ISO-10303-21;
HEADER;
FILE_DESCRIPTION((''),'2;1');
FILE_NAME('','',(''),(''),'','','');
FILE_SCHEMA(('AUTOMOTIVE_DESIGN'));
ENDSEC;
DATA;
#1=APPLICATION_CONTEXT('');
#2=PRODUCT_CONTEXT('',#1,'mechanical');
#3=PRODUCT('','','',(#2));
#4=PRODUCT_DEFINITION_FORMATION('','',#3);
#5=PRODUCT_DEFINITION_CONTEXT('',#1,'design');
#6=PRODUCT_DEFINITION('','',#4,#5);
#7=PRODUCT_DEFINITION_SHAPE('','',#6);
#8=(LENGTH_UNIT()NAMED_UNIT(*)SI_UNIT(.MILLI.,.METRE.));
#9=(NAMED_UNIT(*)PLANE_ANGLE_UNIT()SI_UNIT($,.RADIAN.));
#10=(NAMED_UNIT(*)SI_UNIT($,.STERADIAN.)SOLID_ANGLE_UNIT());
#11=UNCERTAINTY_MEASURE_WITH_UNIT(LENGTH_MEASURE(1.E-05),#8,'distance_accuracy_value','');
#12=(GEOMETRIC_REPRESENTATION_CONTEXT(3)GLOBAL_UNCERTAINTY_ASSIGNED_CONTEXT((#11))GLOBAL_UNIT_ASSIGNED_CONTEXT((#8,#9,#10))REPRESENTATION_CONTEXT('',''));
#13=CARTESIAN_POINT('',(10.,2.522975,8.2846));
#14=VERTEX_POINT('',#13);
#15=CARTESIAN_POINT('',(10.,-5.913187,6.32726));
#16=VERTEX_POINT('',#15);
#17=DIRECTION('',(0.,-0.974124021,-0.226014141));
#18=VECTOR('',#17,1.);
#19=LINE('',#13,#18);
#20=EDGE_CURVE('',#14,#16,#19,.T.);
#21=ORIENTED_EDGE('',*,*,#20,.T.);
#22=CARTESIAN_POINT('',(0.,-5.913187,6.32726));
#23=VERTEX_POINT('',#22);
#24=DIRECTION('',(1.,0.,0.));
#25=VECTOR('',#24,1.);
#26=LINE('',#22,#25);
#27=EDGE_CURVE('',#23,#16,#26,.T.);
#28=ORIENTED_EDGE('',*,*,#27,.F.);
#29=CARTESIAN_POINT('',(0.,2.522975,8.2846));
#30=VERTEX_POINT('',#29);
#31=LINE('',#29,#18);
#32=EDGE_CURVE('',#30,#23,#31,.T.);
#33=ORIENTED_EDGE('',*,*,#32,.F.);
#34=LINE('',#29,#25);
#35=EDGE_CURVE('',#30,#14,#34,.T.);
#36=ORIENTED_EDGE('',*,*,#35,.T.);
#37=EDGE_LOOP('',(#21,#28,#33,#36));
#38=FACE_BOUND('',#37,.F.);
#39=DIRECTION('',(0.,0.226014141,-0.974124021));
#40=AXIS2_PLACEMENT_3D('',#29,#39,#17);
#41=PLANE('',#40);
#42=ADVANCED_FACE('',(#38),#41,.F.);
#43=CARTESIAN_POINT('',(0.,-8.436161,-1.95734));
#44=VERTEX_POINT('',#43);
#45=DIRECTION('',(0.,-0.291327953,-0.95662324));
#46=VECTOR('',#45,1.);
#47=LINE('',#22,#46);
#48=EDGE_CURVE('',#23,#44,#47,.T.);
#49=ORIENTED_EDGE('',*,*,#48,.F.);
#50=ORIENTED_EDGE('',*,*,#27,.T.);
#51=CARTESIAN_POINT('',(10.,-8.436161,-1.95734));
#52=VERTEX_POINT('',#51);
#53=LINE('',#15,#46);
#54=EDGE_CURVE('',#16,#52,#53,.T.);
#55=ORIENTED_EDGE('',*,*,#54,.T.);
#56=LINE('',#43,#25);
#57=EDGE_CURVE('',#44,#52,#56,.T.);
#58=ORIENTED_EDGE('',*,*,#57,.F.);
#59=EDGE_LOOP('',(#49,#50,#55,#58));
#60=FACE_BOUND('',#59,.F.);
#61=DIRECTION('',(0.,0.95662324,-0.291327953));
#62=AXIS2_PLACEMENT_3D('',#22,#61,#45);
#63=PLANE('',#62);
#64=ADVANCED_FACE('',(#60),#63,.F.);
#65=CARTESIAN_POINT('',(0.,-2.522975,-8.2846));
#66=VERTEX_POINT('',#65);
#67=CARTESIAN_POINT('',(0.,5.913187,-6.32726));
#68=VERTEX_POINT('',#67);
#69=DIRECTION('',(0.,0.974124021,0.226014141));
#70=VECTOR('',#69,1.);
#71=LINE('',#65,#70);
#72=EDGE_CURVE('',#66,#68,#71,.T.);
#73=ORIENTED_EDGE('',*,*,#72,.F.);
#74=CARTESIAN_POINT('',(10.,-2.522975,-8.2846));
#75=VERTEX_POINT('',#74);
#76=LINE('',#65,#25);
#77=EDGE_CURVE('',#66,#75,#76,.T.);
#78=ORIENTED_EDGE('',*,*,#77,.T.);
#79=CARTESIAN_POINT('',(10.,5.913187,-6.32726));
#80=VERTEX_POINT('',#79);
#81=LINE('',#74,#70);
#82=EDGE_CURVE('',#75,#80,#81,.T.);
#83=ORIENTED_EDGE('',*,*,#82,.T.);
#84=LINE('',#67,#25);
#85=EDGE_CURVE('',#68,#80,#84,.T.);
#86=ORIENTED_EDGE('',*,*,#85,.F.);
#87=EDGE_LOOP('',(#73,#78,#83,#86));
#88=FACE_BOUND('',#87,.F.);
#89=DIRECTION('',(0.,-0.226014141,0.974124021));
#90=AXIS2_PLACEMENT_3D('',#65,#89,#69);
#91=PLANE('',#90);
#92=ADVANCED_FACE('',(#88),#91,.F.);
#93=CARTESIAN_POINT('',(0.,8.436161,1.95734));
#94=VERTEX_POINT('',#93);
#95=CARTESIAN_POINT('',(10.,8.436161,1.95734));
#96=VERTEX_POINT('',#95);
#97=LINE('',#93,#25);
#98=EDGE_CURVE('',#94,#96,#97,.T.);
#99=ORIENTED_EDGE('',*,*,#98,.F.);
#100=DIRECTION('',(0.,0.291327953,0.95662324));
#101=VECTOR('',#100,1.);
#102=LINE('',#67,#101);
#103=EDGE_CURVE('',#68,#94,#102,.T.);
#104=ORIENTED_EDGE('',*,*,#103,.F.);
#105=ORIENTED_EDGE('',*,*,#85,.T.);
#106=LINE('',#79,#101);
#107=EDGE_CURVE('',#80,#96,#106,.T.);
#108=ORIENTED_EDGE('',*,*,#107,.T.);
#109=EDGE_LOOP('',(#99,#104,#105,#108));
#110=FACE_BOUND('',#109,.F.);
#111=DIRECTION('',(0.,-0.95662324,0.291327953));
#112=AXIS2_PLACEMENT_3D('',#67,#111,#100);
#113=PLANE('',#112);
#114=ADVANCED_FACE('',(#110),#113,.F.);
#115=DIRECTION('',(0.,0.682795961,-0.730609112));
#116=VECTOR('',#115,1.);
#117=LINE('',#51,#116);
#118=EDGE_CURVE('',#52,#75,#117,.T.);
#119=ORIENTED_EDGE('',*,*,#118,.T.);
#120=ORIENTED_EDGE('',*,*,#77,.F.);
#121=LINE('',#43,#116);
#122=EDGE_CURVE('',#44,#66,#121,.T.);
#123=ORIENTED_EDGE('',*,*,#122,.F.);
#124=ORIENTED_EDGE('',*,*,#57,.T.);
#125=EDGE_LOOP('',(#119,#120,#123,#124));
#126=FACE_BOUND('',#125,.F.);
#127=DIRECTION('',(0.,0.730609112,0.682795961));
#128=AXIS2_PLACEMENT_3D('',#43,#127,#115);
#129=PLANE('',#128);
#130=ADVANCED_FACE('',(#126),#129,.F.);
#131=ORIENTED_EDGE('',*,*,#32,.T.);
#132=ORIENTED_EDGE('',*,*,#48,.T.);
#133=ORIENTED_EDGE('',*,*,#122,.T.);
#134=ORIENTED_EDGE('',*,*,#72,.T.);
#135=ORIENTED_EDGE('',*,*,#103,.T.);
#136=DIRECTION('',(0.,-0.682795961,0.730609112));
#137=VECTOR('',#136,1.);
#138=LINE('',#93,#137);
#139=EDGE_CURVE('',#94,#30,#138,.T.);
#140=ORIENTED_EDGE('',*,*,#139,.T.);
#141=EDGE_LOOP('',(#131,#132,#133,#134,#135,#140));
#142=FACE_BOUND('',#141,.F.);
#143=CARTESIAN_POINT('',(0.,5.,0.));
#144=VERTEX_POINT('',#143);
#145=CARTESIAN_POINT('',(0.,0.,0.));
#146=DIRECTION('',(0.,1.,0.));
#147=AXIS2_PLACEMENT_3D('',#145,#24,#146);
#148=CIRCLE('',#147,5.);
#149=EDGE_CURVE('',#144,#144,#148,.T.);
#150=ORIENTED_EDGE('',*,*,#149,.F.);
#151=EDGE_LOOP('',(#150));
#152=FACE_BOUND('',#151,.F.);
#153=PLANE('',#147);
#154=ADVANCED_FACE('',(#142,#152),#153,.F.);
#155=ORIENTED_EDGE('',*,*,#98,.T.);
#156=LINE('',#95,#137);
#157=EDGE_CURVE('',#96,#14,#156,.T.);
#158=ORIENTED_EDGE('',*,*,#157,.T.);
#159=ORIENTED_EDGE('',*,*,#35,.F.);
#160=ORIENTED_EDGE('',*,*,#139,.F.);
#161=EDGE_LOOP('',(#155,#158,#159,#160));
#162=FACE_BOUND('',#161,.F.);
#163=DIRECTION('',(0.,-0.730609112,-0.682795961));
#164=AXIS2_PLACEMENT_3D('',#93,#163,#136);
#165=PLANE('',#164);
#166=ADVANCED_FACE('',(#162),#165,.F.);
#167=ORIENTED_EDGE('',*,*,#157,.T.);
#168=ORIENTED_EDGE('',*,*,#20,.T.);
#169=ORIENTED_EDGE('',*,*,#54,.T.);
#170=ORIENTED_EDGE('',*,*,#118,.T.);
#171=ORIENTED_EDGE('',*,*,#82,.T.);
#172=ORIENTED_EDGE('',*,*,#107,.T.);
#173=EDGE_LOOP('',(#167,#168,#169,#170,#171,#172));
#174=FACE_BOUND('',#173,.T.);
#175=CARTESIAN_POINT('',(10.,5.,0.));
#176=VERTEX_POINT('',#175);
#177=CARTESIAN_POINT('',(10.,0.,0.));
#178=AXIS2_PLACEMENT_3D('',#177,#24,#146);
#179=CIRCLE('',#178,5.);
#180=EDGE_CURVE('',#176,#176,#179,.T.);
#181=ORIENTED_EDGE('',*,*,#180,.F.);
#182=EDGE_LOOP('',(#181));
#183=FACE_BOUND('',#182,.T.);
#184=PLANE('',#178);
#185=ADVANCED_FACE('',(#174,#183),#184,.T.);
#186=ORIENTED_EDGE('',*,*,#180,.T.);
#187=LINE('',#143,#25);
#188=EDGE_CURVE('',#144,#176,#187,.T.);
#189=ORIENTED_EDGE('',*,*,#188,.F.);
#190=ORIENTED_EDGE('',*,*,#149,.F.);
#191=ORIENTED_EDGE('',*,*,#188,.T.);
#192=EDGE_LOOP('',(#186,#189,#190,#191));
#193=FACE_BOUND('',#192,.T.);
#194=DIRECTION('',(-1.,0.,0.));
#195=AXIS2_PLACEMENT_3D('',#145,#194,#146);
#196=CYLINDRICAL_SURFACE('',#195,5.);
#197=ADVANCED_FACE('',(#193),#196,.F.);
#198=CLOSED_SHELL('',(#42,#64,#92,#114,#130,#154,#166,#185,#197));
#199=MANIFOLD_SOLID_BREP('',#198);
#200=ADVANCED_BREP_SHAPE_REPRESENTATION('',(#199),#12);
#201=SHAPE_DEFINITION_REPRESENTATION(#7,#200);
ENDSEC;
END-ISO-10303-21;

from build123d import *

# Parameters (mm, degrees)
F0_R     = 5
F1_DEPTH = 10


with BuildPart() as f1:
    # F0 (on Right) → F1 (new body)
    with BuildSketch(Plane.YZ):
        Polygon((5.913187, -6.32726), (8.436161, 1.95734), (2.522975, 8.2846), (-5.913187, 6.32726), (-8.436161, -1.95734), (-2.522975, -8.2846), align=None)
        Circle(F0_R, mode=Mode.SUBTRACT)
    extrude(amount=F1_DEPTH)


solid = f1.part
